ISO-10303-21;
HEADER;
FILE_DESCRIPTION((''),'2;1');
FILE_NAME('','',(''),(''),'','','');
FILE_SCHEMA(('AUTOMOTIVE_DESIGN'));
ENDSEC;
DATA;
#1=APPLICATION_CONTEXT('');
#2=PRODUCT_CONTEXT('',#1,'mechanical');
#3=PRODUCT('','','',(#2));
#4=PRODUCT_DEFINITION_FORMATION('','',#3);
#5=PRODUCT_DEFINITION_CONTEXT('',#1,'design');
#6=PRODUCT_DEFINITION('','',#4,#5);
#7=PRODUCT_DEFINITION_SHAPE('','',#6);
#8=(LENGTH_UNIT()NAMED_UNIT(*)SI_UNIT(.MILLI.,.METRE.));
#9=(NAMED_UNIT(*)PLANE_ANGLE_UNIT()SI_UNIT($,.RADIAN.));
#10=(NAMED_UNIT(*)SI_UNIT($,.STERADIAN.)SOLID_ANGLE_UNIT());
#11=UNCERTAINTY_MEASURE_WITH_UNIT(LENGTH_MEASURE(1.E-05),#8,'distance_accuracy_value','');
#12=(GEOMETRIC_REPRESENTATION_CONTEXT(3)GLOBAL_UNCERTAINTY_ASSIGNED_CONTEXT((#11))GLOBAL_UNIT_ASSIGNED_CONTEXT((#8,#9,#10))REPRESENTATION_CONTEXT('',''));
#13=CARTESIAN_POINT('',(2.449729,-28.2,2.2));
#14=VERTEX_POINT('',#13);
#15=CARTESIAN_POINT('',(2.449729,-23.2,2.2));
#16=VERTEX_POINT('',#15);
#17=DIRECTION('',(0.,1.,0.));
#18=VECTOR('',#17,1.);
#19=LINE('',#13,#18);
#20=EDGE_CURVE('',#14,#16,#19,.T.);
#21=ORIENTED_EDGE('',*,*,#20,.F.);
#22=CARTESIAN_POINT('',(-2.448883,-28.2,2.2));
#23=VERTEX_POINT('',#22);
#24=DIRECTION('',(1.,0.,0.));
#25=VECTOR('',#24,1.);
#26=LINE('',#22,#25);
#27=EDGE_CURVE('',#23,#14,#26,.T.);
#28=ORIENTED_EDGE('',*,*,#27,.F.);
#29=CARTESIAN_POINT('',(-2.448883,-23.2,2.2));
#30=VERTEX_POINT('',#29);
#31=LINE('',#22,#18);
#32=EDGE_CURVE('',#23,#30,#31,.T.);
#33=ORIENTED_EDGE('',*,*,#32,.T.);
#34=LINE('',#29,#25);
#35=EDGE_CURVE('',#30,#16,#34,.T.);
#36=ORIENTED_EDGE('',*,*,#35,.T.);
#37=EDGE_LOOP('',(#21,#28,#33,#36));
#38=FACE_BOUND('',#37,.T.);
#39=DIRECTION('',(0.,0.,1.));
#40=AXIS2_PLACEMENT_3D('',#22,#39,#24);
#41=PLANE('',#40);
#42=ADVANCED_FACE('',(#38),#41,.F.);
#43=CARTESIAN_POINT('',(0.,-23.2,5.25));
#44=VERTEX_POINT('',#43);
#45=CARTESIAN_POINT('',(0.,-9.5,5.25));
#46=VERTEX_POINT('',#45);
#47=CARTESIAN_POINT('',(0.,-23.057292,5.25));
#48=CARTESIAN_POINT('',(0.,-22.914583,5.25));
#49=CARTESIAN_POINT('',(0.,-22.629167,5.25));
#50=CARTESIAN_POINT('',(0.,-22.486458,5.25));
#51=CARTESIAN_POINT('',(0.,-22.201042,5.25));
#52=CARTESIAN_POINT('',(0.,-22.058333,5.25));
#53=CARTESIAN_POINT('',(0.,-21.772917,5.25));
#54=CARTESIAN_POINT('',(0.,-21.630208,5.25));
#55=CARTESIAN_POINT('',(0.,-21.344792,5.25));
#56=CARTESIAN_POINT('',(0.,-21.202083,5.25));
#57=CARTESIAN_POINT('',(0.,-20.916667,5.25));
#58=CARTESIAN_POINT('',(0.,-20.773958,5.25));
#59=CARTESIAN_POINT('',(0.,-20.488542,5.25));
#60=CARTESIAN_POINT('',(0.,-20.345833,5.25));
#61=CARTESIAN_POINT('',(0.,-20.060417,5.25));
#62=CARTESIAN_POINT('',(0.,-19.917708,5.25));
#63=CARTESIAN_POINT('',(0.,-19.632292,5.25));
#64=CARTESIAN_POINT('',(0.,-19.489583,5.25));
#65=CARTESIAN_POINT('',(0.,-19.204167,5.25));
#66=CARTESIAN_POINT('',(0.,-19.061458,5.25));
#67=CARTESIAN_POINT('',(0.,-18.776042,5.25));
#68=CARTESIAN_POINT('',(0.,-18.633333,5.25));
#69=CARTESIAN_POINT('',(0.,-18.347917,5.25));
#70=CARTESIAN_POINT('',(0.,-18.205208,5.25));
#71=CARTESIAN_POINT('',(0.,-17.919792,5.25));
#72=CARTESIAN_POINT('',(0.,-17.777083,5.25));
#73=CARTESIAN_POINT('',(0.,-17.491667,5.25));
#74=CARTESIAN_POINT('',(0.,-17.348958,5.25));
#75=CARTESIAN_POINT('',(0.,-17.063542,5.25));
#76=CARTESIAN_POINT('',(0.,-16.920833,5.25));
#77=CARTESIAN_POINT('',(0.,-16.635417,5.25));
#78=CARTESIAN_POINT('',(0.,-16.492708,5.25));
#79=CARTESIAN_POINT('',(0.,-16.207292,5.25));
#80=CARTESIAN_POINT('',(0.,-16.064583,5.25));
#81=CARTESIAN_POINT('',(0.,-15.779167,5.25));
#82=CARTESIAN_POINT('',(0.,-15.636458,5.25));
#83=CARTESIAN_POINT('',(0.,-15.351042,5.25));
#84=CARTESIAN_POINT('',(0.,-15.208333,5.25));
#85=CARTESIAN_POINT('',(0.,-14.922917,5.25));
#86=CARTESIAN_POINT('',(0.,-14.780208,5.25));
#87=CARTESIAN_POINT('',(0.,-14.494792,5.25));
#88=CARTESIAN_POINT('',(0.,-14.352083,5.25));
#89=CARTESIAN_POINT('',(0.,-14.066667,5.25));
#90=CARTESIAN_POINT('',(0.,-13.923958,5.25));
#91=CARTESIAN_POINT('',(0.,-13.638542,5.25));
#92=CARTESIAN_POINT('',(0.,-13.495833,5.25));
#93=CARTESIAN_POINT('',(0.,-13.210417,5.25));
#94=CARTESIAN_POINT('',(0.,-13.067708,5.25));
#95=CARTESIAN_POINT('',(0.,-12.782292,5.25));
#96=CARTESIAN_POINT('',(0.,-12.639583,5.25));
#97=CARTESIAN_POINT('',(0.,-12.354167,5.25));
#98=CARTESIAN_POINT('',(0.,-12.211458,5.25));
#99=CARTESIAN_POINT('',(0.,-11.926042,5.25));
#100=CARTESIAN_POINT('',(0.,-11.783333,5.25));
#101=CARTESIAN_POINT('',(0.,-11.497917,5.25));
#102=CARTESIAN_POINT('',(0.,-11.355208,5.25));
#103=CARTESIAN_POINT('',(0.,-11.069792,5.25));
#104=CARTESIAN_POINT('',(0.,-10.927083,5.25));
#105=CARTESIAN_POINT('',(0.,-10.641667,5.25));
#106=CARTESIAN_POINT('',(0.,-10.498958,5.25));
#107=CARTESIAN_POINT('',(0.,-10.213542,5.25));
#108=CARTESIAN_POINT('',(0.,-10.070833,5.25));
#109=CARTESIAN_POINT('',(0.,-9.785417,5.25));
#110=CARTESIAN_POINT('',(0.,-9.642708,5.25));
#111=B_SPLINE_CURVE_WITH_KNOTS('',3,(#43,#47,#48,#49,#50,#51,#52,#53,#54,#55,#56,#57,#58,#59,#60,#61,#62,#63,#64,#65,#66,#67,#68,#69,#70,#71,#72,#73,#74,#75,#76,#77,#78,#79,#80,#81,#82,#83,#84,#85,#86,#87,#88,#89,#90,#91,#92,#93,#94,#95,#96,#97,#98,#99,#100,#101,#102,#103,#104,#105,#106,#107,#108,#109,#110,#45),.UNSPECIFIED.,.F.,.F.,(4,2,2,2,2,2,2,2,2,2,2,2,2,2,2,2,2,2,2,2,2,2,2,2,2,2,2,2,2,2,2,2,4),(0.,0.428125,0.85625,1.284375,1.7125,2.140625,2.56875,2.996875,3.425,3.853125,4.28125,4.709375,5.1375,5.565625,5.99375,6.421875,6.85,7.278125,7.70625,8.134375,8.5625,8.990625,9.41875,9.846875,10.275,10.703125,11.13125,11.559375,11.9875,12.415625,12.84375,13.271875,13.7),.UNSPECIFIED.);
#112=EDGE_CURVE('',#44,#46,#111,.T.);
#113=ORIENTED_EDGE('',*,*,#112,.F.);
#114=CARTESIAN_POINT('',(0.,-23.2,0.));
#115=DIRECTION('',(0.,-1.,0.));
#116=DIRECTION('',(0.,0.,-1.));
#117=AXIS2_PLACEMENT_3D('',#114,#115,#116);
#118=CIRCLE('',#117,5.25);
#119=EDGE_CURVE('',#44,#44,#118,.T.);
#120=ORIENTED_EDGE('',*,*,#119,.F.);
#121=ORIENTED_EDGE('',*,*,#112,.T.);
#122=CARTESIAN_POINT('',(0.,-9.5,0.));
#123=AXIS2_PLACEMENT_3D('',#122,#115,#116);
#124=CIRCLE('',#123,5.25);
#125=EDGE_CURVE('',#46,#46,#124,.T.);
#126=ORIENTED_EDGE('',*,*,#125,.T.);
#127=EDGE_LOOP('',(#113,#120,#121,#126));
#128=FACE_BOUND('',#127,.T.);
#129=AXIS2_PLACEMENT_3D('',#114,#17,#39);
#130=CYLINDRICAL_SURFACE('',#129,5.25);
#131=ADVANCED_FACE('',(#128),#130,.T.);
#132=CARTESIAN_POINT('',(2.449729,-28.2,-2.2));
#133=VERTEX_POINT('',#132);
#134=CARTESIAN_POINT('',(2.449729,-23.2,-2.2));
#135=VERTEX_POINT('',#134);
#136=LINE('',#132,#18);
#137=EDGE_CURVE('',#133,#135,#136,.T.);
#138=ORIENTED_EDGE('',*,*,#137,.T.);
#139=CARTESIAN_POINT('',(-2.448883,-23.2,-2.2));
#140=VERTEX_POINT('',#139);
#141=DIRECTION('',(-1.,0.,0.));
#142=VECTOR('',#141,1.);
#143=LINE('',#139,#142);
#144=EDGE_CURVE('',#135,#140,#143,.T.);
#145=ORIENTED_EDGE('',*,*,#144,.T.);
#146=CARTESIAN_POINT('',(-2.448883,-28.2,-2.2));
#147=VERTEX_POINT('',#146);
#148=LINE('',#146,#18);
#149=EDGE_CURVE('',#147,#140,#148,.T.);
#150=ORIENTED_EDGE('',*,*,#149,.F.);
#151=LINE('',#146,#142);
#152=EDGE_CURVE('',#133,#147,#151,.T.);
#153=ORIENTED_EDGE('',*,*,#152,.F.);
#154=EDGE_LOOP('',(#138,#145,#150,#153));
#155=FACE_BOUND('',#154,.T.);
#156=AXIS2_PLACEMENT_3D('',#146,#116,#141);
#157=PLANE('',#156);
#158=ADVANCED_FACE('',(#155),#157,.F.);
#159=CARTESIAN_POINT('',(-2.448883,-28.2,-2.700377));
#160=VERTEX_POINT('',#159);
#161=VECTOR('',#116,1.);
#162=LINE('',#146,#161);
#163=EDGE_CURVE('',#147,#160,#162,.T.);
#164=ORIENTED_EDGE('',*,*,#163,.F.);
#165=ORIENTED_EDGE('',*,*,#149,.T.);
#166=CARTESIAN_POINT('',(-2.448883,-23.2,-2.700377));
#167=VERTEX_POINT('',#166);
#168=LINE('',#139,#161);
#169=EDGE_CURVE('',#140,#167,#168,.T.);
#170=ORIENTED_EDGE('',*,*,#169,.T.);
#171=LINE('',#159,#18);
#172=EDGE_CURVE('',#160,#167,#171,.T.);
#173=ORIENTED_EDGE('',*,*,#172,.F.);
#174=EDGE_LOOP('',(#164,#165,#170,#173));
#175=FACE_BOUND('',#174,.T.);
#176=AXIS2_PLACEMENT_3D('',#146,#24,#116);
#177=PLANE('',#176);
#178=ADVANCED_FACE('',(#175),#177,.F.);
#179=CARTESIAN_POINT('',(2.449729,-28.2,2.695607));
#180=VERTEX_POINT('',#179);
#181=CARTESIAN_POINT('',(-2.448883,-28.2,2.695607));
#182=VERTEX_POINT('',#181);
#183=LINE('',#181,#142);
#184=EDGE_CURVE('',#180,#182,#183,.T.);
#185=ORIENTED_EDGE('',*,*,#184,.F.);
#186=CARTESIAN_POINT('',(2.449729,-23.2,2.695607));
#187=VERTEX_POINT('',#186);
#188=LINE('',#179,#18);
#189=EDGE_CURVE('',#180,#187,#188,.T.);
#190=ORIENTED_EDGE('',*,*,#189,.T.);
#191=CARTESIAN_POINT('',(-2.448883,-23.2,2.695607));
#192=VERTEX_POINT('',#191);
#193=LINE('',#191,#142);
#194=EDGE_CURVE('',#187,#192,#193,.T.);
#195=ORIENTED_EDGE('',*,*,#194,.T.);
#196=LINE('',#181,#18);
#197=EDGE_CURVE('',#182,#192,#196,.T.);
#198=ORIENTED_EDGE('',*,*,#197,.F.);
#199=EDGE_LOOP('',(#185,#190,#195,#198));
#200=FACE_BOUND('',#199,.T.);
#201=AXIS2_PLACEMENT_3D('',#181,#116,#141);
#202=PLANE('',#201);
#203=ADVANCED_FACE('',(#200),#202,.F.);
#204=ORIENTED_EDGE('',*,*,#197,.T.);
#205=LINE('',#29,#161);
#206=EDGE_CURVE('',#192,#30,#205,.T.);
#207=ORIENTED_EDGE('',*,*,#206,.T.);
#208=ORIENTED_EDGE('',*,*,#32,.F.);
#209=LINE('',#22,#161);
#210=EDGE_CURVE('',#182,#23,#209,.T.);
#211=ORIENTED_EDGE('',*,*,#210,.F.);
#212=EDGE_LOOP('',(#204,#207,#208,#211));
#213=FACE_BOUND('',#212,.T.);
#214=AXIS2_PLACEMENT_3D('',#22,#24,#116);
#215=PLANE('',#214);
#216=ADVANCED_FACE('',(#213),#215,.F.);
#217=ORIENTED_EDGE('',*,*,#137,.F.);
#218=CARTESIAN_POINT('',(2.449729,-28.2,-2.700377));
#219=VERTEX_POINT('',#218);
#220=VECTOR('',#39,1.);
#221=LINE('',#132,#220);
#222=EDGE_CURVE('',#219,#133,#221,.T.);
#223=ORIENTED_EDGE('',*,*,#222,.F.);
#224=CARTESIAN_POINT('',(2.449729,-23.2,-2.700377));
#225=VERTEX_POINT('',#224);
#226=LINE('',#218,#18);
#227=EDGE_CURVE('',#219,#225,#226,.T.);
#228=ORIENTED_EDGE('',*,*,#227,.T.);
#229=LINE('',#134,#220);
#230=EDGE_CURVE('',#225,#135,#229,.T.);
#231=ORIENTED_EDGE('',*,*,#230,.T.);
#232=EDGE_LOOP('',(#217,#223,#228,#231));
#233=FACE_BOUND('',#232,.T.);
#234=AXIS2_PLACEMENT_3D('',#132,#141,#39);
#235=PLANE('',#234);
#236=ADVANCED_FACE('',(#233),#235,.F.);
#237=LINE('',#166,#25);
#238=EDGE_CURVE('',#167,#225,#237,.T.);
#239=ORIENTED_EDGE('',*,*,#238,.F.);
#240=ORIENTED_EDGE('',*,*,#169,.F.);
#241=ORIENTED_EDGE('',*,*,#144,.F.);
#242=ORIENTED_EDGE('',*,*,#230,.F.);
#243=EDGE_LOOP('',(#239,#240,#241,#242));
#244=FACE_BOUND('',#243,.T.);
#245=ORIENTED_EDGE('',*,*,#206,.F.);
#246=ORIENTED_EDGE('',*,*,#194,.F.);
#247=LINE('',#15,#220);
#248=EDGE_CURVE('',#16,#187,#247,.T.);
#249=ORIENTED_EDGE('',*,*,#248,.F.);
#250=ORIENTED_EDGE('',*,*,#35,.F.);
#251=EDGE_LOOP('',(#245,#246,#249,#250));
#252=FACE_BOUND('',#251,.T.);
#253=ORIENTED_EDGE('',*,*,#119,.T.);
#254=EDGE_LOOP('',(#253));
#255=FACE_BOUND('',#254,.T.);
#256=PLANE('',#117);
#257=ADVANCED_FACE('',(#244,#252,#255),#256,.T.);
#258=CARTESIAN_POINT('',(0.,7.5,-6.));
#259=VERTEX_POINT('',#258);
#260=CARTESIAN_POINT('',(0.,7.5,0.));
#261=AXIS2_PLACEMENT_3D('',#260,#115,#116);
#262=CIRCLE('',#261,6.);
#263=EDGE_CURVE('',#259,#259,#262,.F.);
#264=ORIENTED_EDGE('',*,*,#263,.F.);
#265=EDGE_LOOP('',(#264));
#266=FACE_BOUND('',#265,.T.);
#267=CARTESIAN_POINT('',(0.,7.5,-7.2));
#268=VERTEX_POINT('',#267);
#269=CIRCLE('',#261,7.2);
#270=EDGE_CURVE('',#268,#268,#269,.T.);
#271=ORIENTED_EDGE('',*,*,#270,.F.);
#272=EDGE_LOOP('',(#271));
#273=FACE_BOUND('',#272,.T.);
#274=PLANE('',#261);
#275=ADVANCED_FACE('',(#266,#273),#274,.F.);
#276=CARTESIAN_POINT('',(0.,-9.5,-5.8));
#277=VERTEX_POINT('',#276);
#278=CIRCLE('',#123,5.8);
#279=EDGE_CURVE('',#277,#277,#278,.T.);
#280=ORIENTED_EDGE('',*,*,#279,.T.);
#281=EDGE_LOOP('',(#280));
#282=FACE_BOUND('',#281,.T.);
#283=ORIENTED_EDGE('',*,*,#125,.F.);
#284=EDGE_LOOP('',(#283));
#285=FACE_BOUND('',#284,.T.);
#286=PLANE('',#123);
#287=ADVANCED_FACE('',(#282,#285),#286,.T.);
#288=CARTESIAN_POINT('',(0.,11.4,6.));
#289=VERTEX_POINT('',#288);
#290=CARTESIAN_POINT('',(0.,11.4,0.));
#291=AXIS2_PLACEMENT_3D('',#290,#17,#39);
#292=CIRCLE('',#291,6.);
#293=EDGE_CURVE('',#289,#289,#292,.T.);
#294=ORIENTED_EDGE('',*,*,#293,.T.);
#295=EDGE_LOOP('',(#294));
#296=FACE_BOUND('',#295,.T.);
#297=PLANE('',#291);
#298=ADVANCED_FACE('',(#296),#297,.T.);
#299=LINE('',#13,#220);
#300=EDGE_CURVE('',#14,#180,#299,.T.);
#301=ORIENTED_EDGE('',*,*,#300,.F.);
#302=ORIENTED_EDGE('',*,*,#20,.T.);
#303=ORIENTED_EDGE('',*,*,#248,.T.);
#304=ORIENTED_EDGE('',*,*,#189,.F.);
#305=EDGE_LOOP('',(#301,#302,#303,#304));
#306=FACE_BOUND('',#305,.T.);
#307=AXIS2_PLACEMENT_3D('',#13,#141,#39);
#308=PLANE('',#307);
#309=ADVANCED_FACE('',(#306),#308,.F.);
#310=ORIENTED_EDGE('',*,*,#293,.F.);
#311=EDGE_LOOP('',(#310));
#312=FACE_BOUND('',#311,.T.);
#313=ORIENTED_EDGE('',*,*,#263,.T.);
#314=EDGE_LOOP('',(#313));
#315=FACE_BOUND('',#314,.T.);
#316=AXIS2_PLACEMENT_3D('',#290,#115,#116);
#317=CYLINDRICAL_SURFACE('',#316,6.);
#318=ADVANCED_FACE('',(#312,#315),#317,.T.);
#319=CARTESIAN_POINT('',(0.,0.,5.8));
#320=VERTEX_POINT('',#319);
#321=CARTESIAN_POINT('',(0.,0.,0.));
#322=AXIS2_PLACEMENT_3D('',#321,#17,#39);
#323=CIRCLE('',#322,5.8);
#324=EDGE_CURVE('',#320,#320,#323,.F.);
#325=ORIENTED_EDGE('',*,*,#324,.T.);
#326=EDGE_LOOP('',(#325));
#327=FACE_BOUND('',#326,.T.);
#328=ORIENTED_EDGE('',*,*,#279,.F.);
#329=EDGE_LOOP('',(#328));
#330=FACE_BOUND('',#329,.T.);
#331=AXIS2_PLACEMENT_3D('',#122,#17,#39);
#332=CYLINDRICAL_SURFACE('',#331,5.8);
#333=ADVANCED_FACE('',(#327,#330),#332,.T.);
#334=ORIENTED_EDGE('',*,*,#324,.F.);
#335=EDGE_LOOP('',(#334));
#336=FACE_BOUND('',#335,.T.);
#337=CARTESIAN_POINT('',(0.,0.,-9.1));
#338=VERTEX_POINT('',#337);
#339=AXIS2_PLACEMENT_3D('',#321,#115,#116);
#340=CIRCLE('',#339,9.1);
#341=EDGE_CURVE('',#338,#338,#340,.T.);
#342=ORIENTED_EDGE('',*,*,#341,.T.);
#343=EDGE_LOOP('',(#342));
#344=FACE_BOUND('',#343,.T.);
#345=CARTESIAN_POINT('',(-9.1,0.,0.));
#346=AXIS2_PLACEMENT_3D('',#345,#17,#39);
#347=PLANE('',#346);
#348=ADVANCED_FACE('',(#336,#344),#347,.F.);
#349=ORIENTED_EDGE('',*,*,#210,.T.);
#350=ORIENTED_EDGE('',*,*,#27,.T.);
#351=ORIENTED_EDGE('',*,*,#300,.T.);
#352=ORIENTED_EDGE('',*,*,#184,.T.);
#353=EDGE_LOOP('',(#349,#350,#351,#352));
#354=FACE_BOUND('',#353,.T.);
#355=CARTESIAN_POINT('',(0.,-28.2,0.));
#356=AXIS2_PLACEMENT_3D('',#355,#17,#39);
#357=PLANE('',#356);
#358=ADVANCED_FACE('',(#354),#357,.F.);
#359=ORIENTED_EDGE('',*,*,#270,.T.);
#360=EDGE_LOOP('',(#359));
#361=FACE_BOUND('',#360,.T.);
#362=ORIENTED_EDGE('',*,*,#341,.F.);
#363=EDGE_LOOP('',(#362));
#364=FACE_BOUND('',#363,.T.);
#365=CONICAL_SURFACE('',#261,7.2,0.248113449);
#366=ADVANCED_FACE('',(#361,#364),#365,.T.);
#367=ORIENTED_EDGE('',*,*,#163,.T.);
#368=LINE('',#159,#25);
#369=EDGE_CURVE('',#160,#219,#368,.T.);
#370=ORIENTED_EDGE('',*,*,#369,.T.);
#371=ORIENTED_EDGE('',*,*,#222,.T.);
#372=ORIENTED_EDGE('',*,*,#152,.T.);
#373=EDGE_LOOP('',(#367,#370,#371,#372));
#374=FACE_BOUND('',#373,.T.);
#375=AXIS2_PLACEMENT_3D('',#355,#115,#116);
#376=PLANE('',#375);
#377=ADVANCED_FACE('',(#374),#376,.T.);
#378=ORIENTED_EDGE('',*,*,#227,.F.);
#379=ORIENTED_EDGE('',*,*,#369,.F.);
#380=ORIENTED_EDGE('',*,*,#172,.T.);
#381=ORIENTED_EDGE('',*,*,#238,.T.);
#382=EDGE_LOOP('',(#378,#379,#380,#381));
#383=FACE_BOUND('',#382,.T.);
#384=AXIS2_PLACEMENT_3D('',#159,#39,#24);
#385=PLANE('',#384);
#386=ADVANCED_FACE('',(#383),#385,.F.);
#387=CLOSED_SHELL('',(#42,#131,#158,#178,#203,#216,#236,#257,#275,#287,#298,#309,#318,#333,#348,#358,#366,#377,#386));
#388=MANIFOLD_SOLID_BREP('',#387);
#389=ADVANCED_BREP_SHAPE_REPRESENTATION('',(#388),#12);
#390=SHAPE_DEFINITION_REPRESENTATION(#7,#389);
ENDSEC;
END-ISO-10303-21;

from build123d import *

# Parameters (mm, degrees)
SKETCH_6_R      = 6
EXTRUDE_3_DEPTH = 3.9
SKETCH_7_R      = 5.8
EXTRUDE_4_DEPTH = 9.5
SKETCH_8_R      = 5.25
EXTRUDE_5_DEPTH = 13.7
SKETCH_9_W      = 4.89861288
SKETCH_9_H      = 0.5003769
SKETCH_9_H_2    = 0.495607413
EXTRUDE_6_DEPTH = 5


with BuildPart() as part:
    # Эскиз5 → Повернуть1 (revolve)
    with BuildSketch(Plane.XY, mode=Mode.PRIVATE) as revolve_1_sk:
        Polygon((-7.2, 7.5), (-9.1, 0), (0, 0), (0, 7.5), align=None)
    revolve(revolve_1_sk.sketch.rotate(Axis((0, 0, 0), (0, 1, 0)), 270), axis=Axis((0, 0, 0), (0, 1, 0)))

    # Эскиз6 → Бобышка-Вытянуть3 (add)
    with BuildSketch(Plane(origin=(0, 7.5, 0), x_dir=(1, 0, 0), z_dir=(0, 1, 0))):
        with Locations(Location((0, 0, 0), (0, 0, 90))):
            Circle(SKETCH_6_R)
    extrude(amount=EXTRUDE_3_DEPTH)

    # Эскиз7 → Бобышка-Вытянуть4 (add)
    with BuildSketch(Plane.XZ):
        with Locations(Location((0, 0, 0), (0, 0, 90))):
            Circle(SKETCH_7_R)
    extrude(amount=EXTRUDE_4_DEPTH)

    # Эскиз8 → Бобышка-Вытянуть5 (add)
    with BuildSketch(Plane.XZ.offset(9.5)):
        with Locations(Location((0, 0, 0), (0, 0, 90))):
            Circle(SKETCH_8_R)
    extrude(amount=EXTRUDE_5_DEPTH)

    # Эскиз9 → Бобышка-Вытянуть6 (add)
    with BuildSketch(Plane(origin=(0, -23.2, 0), x_dir=(-1, 0, 0), z_dir=(0, -1, 0))):
        with Locations((-0.000422971, 2.45018845)):
            Rectangle(SKETCH_9_W, SKETCH_9_H)
        with Locations((-0.000422971, -2.447803707)):
            Rectangle(SKETCH_9_W, SKETCH_9_H_2)
    extrude(amount=EXTRUDE_6_DEPTH)


solid = part.part
